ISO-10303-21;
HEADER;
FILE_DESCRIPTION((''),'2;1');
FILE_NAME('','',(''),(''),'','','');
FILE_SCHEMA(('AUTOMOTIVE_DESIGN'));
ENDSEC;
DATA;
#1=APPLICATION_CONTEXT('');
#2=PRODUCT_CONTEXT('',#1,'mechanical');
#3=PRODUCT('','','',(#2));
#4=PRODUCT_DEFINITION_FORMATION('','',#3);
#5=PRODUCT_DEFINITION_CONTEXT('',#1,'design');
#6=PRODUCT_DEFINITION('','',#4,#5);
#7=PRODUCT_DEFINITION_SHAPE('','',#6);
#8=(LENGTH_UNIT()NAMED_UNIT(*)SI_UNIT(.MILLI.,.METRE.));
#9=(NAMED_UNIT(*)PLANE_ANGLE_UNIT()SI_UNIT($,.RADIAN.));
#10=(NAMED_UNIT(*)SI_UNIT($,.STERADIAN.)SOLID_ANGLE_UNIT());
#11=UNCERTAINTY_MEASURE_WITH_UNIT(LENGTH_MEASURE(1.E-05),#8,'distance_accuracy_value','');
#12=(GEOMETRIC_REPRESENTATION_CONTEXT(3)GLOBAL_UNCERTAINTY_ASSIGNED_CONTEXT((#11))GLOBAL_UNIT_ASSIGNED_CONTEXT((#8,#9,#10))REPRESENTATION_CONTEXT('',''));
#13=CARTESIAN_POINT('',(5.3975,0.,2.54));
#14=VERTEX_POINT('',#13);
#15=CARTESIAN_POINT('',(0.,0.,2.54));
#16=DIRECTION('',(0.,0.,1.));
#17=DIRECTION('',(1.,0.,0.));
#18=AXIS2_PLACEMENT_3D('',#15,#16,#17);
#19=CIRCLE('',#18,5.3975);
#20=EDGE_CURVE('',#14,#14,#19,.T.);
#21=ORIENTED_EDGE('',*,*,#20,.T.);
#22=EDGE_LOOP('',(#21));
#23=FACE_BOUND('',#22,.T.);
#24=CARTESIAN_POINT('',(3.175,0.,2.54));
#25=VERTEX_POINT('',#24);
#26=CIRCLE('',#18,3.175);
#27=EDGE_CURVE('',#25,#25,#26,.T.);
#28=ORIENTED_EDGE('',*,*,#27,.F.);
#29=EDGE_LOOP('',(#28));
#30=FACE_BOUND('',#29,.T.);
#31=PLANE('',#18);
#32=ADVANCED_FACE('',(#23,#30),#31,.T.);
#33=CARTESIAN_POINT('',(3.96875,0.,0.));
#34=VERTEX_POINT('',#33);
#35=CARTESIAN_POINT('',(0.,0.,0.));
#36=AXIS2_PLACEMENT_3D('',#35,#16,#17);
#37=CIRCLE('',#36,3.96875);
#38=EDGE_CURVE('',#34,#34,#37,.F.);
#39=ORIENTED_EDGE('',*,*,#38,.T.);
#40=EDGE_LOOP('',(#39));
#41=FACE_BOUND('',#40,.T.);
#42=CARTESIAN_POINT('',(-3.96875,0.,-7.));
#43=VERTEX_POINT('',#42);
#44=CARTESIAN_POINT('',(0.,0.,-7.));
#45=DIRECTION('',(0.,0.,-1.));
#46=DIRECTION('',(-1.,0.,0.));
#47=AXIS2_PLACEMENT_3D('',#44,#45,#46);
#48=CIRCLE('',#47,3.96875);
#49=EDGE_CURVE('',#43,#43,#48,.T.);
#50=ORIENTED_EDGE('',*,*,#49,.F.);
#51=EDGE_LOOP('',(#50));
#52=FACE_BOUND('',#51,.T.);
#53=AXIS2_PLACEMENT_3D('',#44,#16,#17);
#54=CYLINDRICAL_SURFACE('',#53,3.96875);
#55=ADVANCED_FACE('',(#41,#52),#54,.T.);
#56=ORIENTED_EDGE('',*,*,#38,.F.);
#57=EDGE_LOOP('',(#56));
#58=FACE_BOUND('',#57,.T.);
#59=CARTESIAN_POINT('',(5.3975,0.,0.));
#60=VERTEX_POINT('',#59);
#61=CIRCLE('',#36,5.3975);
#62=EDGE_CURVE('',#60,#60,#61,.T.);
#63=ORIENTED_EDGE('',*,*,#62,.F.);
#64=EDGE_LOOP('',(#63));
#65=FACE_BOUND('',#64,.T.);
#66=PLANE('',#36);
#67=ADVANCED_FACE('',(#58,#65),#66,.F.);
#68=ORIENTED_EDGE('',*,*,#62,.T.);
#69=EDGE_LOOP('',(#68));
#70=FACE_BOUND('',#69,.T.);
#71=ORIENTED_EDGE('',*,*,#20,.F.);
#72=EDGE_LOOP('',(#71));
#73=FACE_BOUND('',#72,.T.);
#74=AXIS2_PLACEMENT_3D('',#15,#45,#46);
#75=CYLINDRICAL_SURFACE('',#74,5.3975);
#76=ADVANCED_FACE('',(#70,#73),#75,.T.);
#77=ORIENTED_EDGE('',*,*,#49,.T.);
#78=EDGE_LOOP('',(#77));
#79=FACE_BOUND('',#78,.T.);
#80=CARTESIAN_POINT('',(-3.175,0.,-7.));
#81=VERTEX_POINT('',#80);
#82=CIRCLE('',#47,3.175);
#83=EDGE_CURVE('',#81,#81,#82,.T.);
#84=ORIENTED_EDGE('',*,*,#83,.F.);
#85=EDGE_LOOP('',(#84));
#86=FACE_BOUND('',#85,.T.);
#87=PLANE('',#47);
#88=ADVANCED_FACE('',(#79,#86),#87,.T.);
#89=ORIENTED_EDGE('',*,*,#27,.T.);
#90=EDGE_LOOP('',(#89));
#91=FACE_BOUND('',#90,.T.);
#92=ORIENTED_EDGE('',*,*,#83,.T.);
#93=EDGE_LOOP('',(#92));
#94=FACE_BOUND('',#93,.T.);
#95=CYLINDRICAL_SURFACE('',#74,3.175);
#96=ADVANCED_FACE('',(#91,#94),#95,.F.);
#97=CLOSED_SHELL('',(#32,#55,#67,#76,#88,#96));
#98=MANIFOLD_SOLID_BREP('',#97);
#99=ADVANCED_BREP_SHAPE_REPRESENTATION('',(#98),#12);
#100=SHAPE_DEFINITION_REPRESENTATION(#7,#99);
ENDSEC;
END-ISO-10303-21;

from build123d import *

# Parameters (mm, degrees)
SKETCH1_R           = 5.3975
SKETCH1_R_2         = 3.175
BOSS_EXTRUDE1_DEPTH = 2.54
SKETCH2_R           = 3.96875
SKETCH2_R_2         = 3.175
BOSS_EXTRUDE2_DEPTH = 7


with BuildPart() as part:
    # Sketch1 → Boss-Extrude1 (new body)
    with BuildSketch(Plane.XY):
        Circle(SKETCH1_R)
        Circle(SKETCH1_R_2, mode=Mode.SUBTRACT)
    extrude(amount=BOSS_EXTRUDE1_DEPTH)

    # Sketch2 → Boss-Extrude2 (add)
    with BuildSketch(Plane(origin=(0, 0, 0), x_dir=(-1, 0, 0), z_dir=(0, 0, -1))):
        Circle(SKETCH2_R)
        Circle(SKETCH2_R_2, mode=Mode.SUBTRACT)
    extrude(amount=BOSS_EXTRUDE2_DEPTH)


solid = part.part
